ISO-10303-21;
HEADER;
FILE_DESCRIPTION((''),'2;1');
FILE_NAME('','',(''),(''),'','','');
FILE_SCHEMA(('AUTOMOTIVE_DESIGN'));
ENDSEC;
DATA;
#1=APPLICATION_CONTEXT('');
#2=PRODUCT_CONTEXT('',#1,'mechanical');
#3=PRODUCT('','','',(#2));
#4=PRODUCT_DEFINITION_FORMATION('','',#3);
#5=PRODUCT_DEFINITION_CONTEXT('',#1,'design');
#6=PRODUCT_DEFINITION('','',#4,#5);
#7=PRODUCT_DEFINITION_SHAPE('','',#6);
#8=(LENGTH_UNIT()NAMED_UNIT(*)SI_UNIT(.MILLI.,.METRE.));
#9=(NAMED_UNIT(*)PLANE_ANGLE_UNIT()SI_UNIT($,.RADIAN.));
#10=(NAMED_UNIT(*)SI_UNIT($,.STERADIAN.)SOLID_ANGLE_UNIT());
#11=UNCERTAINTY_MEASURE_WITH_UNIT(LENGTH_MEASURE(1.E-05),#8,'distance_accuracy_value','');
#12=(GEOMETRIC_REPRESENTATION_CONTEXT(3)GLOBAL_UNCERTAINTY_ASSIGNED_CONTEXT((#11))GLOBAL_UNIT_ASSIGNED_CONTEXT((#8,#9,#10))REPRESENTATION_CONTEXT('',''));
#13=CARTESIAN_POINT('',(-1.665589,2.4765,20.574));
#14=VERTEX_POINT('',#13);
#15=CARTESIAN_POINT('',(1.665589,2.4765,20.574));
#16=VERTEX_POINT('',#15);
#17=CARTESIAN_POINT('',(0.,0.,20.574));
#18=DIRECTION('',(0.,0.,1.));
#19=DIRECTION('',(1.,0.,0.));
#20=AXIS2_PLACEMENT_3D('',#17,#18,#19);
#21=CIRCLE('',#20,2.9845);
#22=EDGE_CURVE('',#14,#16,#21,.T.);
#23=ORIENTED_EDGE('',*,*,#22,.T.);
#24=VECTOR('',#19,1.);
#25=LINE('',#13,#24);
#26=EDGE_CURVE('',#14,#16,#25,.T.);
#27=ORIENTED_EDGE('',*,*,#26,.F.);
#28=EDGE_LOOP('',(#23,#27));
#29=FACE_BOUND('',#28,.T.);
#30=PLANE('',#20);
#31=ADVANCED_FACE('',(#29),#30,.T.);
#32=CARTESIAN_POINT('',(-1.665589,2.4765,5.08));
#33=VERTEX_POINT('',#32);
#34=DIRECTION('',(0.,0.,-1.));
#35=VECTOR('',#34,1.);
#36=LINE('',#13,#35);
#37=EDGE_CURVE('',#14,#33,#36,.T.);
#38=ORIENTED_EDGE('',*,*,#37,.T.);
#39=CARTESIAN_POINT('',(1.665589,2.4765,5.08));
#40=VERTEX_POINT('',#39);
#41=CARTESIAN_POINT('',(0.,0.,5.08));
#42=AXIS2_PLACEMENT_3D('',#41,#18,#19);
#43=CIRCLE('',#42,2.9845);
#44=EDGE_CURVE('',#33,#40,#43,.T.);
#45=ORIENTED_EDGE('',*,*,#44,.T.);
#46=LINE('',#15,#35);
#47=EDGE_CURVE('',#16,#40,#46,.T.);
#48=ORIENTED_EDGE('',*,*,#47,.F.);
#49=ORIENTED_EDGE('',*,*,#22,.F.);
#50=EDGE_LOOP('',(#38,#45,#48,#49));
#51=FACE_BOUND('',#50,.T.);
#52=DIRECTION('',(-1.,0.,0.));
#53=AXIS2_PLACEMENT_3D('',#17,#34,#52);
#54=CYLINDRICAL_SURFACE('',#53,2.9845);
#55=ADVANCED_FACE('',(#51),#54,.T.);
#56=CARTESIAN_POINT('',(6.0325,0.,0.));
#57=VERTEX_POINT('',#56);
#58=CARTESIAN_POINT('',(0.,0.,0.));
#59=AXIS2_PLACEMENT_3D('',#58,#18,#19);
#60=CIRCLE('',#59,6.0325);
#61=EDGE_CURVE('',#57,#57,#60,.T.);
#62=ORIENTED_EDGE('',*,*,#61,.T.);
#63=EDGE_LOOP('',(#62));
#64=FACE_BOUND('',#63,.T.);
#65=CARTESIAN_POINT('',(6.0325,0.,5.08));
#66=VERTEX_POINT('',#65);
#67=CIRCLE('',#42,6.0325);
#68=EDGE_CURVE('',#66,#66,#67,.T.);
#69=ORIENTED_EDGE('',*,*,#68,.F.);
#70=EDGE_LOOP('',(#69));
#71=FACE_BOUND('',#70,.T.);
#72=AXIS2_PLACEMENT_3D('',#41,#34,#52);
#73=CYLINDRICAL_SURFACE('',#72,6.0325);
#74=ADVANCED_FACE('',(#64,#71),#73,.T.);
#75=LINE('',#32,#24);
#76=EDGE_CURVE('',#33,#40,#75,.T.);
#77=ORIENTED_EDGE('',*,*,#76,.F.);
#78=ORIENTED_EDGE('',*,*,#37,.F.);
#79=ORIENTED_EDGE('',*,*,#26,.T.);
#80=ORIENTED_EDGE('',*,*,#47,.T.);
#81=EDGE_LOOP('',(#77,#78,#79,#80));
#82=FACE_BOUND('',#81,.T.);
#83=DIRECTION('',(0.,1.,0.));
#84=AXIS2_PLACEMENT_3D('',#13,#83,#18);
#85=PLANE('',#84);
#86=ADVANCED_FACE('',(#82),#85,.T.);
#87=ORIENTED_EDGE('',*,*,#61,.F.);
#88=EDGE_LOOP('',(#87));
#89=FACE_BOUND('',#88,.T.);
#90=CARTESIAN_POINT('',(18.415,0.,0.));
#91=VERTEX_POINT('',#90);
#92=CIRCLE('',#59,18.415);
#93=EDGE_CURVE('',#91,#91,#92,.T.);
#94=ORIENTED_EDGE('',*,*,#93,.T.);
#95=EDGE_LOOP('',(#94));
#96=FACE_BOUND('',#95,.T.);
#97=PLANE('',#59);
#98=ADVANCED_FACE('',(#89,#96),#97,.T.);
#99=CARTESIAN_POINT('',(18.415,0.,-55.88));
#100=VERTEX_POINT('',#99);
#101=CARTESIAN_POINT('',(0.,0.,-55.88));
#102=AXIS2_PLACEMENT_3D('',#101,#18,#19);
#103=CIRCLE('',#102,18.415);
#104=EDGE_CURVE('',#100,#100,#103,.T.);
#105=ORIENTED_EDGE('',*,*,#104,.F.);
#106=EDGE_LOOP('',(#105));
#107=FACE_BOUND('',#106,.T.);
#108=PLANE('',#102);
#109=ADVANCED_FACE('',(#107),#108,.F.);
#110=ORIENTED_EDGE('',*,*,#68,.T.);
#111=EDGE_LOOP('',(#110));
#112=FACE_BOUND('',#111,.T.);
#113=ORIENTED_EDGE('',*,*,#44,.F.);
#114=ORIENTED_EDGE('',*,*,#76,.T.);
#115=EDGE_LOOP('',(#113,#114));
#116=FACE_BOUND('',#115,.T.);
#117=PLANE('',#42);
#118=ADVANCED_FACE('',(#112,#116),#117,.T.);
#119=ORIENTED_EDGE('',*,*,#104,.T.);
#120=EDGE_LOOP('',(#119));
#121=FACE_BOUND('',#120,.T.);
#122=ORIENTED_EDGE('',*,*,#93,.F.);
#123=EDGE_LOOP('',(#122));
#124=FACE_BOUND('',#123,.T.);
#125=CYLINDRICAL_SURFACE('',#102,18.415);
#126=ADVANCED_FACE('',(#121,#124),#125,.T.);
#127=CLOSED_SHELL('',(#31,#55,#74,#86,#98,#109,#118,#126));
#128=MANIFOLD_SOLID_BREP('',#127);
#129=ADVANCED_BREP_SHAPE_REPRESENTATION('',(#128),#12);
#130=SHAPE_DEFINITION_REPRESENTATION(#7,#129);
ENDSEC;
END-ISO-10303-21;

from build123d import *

# Parameters (mm, degrees)
SKETCH1_R           = 18.415
BOSS_EXTRUDE1_DEPTH = 55.88
SKETCH1_3_R         = 6.0325
BOSS_EXTRUDE2_DEPTH = 5.08
BOSS_EXTRUDE3_DEPTH = 15.494


with BuildPart() as part:
    # Sketch1 → Boss-Extrude1 (new body)
    with BuildSketch(Plane.XY):
        Circle(SKETCH1_R)
    extrude(amount=-BOSS_EXTRUDE1_DEPTH)

    # Sketch1<3> → Boss-Extrude2 (add)
    with BuildSketch(Plane.XY):
        Circle(SKETCH1_3_R)
    extrude(amount=BOSS_EXTRUDE2_DEPTH)

    # Sketch3 → Boss-Extrude3 (add)
    with BuildSketch(Plane.XY.offset(5.08)):
        with BuildLine():
            Line((-1.665589385, 2.4765), (1.665589385, 2.4765))
            ThreePointArc((1.665589385, 2.4765), (0, -2.9845), (-1.665589385, 2.4765))
        make_face()
    extrude(amount=BOSS_EXTRUDE3_DEPTH)


solid = part.part
